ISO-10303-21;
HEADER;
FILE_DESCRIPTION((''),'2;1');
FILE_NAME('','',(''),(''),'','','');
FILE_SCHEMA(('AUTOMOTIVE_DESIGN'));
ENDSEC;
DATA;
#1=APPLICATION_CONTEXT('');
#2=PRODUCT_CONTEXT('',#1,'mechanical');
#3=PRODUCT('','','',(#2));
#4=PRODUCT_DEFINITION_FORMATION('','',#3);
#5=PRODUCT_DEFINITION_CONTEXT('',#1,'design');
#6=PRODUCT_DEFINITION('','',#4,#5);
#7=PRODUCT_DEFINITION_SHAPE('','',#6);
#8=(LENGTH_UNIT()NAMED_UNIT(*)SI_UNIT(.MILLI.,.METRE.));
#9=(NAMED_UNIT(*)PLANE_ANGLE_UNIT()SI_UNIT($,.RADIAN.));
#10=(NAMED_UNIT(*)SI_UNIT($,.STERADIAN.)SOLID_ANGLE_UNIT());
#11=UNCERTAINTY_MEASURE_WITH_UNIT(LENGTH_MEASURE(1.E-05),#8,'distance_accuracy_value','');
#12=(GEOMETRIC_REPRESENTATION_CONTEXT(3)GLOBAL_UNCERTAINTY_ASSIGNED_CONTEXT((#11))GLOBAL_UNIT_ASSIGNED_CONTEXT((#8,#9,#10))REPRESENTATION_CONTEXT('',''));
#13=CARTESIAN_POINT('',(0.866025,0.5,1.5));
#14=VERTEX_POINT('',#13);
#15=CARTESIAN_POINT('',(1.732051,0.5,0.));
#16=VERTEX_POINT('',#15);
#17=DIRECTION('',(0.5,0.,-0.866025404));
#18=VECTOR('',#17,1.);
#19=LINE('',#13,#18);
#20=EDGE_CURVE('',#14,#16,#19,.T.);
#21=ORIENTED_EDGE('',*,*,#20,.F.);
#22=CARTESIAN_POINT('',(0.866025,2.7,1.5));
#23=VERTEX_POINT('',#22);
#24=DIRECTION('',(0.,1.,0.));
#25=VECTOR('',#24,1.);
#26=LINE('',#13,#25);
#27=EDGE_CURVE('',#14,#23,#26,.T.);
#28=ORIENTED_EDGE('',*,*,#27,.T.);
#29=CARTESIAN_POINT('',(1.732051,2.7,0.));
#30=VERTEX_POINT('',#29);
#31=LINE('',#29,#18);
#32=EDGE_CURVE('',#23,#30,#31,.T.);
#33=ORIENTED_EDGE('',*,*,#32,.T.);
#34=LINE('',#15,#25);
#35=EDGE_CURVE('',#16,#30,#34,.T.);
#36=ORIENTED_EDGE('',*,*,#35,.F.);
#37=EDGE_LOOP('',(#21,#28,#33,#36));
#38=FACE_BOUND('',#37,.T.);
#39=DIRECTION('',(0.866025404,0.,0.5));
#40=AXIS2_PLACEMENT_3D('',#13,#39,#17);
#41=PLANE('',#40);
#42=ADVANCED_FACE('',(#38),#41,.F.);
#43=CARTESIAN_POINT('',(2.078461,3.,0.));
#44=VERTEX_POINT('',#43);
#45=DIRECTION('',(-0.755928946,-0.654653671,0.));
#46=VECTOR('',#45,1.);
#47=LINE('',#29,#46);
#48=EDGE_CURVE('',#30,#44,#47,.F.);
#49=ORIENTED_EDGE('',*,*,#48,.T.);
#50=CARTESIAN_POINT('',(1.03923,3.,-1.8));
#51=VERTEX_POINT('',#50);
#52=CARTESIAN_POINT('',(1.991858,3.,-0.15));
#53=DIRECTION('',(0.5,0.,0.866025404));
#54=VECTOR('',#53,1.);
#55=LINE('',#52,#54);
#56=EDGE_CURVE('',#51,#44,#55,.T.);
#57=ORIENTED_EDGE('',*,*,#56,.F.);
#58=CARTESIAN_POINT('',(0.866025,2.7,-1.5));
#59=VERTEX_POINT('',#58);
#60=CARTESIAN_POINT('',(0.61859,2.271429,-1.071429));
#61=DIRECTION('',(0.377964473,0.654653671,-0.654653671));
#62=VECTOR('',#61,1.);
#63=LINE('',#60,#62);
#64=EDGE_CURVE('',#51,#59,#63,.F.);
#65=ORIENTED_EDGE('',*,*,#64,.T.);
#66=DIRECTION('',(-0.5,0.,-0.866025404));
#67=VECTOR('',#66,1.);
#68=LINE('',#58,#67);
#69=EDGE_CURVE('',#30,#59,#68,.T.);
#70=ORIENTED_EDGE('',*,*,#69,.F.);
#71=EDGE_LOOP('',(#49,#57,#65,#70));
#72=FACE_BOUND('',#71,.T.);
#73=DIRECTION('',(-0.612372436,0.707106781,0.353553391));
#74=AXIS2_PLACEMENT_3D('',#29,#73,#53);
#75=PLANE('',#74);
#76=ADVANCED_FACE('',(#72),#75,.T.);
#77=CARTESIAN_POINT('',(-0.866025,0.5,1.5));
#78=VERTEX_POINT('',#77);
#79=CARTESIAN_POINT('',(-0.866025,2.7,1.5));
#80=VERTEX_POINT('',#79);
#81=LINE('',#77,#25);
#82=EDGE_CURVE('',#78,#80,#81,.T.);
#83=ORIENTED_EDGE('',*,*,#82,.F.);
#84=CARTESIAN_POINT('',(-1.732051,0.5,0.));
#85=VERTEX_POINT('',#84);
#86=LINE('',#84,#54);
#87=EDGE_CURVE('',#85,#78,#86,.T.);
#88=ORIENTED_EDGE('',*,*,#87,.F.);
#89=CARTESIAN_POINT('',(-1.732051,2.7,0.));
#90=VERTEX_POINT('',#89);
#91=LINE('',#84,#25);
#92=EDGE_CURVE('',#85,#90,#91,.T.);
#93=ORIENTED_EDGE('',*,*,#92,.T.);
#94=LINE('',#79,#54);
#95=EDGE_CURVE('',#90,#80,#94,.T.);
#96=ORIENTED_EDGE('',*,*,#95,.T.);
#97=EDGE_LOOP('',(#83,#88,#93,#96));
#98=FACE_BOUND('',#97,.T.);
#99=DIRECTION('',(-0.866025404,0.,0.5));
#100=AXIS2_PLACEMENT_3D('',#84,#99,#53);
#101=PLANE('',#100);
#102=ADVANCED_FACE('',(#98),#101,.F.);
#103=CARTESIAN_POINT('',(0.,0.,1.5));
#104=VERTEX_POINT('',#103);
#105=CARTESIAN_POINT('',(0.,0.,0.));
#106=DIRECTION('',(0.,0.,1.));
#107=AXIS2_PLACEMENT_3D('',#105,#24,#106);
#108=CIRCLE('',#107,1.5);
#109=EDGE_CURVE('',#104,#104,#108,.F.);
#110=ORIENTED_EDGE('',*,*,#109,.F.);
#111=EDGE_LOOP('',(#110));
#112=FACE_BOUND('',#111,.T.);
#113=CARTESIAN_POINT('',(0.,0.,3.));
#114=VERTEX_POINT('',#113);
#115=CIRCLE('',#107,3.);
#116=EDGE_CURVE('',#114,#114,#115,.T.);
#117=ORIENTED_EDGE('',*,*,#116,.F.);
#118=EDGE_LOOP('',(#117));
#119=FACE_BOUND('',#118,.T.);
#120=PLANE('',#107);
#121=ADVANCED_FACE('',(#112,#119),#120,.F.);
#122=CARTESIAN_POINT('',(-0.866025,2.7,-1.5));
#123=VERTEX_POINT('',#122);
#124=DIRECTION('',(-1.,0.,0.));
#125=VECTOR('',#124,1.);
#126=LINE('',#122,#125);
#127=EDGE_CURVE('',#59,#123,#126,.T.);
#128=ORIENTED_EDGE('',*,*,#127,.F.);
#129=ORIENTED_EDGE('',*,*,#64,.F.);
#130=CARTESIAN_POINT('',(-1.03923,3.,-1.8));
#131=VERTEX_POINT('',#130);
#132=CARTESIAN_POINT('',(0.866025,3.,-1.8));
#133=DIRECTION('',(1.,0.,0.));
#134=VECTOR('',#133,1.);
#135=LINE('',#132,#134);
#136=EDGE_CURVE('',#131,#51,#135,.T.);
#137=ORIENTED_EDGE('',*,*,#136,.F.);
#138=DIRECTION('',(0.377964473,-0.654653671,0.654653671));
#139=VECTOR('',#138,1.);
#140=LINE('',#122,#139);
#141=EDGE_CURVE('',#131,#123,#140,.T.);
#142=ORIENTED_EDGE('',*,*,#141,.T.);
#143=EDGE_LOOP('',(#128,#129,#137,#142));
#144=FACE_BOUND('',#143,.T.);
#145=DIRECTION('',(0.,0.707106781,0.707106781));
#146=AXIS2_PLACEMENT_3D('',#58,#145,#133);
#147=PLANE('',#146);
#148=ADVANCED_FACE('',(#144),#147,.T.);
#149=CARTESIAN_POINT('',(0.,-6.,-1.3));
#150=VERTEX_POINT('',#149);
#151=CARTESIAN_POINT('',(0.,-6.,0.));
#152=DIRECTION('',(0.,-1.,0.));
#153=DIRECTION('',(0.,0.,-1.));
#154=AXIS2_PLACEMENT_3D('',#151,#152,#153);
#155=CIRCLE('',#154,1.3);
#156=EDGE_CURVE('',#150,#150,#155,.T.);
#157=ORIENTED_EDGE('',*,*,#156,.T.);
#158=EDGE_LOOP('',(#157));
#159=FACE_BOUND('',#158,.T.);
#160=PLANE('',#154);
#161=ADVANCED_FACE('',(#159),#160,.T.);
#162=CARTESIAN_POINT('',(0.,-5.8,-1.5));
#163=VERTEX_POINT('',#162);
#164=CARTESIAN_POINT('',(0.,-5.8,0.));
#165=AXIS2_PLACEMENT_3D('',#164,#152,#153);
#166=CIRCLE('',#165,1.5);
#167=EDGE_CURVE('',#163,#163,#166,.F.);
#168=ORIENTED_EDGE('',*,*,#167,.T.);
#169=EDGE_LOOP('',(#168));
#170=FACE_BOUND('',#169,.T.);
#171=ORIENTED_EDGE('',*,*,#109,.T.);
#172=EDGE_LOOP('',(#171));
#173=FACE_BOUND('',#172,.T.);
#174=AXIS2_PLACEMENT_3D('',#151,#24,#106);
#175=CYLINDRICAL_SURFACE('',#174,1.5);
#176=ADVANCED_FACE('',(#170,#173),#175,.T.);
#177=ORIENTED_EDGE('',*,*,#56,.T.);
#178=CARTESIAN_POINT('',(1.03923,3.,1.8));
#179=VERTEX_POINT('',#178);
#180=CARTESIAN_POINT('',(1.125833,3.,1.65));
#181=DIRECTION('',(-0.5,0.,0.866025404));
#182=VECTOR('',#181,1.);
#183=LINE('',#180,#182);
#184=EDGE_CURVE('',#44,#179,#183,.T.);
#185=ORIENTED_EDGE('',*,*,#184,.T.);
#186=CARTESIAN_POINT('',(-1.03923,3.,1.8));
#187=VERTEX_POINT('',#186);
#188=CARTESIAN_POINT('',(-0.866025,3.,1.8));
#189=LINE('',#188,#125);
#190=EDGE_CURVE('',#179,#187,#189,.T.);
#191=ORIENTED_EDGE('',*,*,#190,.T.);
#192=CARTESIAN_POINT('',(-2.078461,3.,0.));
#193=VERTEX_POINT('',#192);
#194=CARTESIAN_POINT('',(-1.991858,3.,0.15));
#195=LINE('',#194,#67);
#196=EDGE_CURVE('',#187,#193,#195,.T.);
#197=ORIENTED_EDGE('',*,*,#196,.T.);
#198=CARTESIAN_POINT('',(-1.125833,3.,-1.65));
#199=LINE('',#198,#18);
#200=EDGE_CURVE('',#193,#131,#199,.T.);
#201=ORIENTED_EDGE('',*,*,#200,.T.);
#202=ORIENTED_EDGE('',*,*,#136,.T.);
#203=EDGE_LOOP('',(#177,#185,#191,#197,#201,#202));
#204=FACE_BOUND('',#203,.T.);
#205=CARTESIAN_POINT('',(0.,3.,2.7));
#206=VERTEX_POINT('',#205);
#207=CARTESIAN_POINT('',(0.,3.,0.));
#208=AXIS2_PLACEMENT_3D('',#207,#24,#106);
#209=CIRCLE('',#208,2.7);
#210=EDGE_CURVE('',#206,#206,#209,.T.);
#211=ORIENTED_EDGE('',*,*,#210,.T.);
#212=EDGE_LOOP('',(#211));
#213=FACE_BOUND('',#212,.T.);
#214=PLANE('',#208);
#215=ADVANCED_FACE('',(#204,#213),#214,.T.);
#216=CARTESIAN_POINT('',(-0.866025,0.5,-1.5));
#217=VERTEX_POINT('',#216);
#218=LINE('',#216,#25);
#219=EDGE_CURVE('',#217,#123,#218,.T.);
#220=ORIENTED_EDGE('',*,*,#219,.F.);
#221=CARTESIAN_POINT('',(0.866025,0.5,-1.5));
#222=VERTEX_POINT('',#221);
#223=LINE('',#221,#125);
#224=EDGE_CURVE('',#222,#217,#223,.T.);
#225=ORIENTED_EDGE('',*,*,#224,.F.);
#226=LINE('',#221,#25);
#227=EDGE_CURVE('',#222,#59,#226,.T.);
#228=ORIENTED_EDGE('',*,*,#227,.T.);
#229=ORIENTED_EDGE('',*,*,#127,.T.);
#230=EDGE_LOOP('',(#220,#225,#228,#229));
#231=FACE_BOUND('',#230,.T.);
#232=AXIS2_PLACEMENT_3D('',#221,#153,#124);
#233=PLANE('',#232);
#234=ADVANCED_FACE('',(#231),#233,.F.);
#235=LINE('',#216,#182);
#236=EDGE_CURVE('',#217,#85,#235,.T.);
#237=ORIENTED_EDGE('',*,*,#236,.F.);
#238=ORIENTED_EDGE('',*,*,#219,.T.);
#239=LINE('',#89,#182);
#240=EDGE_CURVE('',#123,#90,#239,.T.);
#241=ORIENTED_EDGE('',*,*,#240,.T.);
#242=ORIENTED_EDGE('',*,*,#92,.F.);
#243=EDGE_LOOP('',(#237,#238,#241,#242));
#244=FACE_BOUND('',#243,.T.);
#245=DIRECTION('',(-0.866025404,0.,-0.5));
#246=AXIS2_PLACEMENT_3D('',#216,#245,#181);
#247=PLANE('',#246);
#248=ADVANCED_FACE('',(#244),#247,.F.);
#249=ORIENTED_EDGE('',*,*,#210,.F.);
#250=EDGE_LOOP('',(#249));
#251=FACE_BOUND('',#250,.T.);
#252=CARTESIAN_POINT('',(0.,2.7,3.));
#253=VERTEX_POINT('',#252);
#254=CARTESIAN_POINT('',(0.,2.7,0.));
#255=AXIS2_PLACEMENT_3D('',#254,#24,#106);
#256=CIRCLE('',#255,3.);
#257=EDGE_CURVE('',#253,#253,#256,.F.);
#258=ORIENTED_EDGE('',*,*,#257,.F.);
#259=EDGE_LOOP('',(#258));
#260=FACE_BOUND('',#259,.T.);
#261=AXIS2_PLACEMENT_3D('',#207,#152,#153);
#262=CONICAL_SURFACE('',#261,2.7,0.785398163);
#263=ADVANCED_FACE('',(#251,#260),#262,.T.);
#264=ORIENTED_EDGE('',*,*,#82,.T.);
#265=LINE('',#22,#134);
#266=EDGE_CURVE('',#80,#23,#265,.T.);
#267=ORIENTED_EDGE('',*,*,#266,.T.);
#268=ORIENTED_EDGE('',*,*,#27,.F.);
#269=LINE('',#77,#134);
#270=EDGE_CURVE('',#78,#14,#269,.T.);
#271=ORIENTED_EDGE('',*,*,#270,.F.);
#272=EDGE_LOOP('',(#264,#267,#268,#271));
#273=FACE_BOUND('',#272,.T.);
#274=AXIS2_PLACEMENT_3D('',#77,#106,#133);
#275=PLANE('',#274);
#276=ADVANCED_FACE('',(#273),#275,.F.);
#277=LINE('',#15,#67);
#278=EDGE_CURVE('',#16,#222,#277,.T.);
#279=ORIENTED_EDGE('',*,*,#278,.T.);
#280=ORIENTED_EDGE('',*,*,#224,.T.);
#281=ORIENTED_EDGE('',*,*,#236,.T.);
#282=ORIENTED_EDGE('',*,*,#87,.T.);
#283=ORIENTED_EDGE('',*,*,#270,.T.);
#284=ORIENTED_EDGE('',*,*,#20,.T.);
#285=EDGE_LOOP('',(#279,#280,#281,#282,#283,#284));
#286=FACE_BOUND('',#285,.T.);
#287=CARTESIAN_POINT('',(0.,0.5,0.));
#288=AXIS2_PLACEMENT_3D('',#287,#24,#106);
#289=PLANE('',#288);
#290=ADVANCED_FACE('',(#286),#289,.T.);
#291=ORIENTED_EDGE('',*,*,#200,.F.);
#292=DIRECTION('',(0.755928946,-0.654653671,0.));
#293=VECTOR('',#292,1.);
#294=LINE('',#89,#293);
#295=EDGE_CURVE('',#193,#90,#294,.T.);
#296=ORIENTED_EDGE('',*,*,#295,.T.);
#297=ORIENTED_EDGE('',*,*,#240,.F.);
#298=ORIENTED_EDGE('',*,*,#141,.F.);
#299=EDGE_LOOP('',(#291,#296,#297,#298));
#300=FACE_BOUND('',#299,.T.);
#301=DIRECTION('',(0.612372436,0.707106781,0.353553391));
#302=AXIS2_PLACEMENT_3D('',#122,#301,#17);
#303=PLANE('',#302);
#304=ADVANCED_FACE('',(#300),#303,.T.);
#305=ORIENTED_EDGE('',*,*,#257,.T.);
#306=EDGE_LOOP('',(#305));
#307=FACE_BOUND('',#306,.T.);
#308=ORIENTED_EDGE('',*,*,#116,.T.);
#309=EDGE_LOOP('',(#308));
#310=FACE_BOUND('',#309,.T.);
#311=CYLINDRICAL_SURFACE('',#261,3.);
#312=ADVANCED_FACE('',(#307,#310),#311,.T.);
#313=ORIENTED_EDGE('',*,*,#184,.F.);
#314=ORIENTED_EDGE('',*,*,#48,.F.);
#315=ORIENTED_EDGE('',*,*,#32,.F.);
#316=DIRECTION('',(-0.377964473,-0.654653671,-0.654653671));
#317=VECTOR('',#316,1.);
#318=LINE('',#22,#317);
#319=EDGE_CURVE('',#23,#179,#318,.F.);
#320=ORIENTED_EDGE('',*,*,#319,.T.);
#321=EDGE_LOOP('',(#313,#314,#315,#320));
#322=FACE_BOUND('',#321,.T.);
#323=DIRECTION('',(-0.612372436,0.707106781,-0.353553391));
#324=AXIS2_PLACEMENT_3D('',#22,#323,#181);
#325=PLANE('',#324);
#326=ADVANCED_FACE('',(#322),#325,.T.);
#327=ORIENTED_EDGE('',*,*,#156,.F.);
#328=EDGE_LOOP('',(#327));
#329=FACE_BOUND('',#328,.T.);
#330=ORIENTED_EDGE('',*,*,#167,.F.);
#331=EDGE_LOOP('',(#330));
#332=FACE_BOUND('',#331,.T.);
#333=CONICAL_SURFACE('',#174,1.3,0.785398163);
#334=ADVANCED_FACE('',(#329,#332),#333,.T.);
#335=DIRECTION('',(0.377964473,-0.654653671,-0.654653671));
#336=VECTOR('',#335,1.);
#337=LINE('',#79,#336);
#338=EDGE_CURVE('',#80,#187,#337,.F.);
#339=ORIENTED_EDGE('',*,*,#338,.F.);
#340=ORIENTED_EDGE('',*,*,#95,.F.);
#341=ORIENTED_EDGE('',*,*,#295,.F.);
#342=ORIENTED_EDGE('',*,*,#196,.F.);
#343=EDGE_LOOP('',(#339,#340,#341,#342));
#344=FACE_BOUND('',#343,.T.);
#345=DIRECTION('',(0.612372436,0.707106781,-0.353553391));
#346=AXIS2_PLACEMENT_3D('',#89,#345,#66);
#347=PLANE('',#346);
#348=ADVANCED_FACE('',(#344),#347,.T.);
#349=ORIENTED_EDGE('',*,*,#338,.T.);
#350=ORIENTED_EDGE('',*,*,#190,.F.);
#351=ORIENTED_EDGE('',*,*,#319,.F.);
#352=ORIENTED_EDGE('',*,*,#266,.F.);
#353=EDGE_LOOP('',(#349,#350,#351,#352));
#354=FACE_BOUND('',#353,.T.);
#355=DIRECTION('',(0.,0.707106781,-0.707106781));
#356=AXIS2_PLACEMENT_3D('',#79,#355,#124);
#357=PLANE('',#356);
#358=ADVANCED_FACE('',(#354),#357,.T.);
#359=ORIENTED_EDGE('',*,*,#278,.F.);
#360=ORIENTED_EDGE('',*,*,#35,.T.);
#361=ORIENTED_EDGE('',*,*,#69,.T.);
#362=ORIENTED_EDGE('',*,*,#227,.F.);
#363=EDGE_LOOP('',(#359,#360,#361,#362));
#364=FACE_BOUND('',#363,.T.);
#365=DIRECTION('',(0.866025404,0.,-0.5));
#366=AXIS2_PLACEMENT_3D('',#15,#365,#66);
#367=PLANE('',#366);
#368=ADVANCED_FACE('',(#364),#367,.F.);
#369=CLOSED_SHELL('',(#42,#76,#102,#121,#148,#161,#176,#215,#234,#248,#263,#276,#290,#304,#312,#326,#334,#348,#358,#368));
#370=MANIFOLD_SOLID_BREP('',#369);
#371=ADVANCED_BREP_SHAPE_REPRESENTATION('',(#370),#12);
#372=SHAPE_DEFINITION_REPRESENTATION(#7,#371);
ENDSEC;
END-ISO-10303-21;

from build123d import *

# Parameters (mm, degrees)
SKETCH1_R           = 3
BOSS_EXTRUDE1_DEPTH = 3
CHAMFER1_SIZE       = 0.3
CUT_EXTRUDE1_DEPTH  = 2.5
CHAMFER2_SIZE       = 0.3
SKETCH3_R           = 1.5
BOSS_EXTRUDE2_DEPTH = 6
CHAMFER3_SIZE       = 0.2


with BuildPart() as part:
    # Sketch1 → Boss-Extrude1 (new body)
    with BuildSketch(Plane(origin=(0, 0, 0), x_dir=(1, 0, 0), z_dir=(0, 1, 0))):
        with Locations(Location((0, 0, 0), (0, 0, 270))):  # turned: the seam where the file's is
            Circle(SKETCH1_R)
    extrude(amount=BOSS_EXTRUDE1_DEPTH)

    # Chamfer1
    chamfer1_edges = [part.edges().sort_by_distance(p)[0] for p in [
        (0, 3, -3),
    ]]
    chamfer(chamfer1_edges, length=CHAMFER1_SIZE)

    # Sketch2 → Cut-Extrude1 (cut)
    with BuildSketch(Plane(origin=(0, 3, 0), x_dir=(1, 0, 0), z_dir=(0, 1, 0))):
        Polygon((1.732050808, 0), (0.866025404, 1.5), (-0.866025404, 1.5), (-1.732050808, 0), (-0.866025404, -1.5), (0.866025404, -1.5), align=None)
    extrude(amount=-CUT_EXTRUDE1_DEPTH, mode=Mode.SUBTRACT)

    # Chamfer2
    chamfer2_edges = [part.edges().sort_by_distance(p)[0] for p in [
        (1.299038106, 3, 0.75),
        (1.299038106, 3, -0.75),
        (0, 3, -1.5),
        (-1.299038106, 3, -0.75),
        (-1.299038106, 3, 0.75),
        (0, 3, 1.5),
    ]]
    chamfer(chamfer2_edges, length=CHAMFER2_SIZE)

    # Sketch3 → Boss-Extrude2 (add)
    with BuildSketch(Plane.XZ):
        with Locations(Location((0, 0, 0), (0, 0, 90))):  # turned: the seam where the file's is
            Circle(SKETCH3_R)
    extrude(amount=BOSS_EXTRUDE2_DEPTH)

    # Chamfer3
    chamfer3_edges = [part.edges().sort_by_distance(p)[0] for p in [
        (0, -6, -1.5),
    ]]
    chamfer(chamfer3_edges, length=CHAMFER3_SIZE)


solid = part.part
